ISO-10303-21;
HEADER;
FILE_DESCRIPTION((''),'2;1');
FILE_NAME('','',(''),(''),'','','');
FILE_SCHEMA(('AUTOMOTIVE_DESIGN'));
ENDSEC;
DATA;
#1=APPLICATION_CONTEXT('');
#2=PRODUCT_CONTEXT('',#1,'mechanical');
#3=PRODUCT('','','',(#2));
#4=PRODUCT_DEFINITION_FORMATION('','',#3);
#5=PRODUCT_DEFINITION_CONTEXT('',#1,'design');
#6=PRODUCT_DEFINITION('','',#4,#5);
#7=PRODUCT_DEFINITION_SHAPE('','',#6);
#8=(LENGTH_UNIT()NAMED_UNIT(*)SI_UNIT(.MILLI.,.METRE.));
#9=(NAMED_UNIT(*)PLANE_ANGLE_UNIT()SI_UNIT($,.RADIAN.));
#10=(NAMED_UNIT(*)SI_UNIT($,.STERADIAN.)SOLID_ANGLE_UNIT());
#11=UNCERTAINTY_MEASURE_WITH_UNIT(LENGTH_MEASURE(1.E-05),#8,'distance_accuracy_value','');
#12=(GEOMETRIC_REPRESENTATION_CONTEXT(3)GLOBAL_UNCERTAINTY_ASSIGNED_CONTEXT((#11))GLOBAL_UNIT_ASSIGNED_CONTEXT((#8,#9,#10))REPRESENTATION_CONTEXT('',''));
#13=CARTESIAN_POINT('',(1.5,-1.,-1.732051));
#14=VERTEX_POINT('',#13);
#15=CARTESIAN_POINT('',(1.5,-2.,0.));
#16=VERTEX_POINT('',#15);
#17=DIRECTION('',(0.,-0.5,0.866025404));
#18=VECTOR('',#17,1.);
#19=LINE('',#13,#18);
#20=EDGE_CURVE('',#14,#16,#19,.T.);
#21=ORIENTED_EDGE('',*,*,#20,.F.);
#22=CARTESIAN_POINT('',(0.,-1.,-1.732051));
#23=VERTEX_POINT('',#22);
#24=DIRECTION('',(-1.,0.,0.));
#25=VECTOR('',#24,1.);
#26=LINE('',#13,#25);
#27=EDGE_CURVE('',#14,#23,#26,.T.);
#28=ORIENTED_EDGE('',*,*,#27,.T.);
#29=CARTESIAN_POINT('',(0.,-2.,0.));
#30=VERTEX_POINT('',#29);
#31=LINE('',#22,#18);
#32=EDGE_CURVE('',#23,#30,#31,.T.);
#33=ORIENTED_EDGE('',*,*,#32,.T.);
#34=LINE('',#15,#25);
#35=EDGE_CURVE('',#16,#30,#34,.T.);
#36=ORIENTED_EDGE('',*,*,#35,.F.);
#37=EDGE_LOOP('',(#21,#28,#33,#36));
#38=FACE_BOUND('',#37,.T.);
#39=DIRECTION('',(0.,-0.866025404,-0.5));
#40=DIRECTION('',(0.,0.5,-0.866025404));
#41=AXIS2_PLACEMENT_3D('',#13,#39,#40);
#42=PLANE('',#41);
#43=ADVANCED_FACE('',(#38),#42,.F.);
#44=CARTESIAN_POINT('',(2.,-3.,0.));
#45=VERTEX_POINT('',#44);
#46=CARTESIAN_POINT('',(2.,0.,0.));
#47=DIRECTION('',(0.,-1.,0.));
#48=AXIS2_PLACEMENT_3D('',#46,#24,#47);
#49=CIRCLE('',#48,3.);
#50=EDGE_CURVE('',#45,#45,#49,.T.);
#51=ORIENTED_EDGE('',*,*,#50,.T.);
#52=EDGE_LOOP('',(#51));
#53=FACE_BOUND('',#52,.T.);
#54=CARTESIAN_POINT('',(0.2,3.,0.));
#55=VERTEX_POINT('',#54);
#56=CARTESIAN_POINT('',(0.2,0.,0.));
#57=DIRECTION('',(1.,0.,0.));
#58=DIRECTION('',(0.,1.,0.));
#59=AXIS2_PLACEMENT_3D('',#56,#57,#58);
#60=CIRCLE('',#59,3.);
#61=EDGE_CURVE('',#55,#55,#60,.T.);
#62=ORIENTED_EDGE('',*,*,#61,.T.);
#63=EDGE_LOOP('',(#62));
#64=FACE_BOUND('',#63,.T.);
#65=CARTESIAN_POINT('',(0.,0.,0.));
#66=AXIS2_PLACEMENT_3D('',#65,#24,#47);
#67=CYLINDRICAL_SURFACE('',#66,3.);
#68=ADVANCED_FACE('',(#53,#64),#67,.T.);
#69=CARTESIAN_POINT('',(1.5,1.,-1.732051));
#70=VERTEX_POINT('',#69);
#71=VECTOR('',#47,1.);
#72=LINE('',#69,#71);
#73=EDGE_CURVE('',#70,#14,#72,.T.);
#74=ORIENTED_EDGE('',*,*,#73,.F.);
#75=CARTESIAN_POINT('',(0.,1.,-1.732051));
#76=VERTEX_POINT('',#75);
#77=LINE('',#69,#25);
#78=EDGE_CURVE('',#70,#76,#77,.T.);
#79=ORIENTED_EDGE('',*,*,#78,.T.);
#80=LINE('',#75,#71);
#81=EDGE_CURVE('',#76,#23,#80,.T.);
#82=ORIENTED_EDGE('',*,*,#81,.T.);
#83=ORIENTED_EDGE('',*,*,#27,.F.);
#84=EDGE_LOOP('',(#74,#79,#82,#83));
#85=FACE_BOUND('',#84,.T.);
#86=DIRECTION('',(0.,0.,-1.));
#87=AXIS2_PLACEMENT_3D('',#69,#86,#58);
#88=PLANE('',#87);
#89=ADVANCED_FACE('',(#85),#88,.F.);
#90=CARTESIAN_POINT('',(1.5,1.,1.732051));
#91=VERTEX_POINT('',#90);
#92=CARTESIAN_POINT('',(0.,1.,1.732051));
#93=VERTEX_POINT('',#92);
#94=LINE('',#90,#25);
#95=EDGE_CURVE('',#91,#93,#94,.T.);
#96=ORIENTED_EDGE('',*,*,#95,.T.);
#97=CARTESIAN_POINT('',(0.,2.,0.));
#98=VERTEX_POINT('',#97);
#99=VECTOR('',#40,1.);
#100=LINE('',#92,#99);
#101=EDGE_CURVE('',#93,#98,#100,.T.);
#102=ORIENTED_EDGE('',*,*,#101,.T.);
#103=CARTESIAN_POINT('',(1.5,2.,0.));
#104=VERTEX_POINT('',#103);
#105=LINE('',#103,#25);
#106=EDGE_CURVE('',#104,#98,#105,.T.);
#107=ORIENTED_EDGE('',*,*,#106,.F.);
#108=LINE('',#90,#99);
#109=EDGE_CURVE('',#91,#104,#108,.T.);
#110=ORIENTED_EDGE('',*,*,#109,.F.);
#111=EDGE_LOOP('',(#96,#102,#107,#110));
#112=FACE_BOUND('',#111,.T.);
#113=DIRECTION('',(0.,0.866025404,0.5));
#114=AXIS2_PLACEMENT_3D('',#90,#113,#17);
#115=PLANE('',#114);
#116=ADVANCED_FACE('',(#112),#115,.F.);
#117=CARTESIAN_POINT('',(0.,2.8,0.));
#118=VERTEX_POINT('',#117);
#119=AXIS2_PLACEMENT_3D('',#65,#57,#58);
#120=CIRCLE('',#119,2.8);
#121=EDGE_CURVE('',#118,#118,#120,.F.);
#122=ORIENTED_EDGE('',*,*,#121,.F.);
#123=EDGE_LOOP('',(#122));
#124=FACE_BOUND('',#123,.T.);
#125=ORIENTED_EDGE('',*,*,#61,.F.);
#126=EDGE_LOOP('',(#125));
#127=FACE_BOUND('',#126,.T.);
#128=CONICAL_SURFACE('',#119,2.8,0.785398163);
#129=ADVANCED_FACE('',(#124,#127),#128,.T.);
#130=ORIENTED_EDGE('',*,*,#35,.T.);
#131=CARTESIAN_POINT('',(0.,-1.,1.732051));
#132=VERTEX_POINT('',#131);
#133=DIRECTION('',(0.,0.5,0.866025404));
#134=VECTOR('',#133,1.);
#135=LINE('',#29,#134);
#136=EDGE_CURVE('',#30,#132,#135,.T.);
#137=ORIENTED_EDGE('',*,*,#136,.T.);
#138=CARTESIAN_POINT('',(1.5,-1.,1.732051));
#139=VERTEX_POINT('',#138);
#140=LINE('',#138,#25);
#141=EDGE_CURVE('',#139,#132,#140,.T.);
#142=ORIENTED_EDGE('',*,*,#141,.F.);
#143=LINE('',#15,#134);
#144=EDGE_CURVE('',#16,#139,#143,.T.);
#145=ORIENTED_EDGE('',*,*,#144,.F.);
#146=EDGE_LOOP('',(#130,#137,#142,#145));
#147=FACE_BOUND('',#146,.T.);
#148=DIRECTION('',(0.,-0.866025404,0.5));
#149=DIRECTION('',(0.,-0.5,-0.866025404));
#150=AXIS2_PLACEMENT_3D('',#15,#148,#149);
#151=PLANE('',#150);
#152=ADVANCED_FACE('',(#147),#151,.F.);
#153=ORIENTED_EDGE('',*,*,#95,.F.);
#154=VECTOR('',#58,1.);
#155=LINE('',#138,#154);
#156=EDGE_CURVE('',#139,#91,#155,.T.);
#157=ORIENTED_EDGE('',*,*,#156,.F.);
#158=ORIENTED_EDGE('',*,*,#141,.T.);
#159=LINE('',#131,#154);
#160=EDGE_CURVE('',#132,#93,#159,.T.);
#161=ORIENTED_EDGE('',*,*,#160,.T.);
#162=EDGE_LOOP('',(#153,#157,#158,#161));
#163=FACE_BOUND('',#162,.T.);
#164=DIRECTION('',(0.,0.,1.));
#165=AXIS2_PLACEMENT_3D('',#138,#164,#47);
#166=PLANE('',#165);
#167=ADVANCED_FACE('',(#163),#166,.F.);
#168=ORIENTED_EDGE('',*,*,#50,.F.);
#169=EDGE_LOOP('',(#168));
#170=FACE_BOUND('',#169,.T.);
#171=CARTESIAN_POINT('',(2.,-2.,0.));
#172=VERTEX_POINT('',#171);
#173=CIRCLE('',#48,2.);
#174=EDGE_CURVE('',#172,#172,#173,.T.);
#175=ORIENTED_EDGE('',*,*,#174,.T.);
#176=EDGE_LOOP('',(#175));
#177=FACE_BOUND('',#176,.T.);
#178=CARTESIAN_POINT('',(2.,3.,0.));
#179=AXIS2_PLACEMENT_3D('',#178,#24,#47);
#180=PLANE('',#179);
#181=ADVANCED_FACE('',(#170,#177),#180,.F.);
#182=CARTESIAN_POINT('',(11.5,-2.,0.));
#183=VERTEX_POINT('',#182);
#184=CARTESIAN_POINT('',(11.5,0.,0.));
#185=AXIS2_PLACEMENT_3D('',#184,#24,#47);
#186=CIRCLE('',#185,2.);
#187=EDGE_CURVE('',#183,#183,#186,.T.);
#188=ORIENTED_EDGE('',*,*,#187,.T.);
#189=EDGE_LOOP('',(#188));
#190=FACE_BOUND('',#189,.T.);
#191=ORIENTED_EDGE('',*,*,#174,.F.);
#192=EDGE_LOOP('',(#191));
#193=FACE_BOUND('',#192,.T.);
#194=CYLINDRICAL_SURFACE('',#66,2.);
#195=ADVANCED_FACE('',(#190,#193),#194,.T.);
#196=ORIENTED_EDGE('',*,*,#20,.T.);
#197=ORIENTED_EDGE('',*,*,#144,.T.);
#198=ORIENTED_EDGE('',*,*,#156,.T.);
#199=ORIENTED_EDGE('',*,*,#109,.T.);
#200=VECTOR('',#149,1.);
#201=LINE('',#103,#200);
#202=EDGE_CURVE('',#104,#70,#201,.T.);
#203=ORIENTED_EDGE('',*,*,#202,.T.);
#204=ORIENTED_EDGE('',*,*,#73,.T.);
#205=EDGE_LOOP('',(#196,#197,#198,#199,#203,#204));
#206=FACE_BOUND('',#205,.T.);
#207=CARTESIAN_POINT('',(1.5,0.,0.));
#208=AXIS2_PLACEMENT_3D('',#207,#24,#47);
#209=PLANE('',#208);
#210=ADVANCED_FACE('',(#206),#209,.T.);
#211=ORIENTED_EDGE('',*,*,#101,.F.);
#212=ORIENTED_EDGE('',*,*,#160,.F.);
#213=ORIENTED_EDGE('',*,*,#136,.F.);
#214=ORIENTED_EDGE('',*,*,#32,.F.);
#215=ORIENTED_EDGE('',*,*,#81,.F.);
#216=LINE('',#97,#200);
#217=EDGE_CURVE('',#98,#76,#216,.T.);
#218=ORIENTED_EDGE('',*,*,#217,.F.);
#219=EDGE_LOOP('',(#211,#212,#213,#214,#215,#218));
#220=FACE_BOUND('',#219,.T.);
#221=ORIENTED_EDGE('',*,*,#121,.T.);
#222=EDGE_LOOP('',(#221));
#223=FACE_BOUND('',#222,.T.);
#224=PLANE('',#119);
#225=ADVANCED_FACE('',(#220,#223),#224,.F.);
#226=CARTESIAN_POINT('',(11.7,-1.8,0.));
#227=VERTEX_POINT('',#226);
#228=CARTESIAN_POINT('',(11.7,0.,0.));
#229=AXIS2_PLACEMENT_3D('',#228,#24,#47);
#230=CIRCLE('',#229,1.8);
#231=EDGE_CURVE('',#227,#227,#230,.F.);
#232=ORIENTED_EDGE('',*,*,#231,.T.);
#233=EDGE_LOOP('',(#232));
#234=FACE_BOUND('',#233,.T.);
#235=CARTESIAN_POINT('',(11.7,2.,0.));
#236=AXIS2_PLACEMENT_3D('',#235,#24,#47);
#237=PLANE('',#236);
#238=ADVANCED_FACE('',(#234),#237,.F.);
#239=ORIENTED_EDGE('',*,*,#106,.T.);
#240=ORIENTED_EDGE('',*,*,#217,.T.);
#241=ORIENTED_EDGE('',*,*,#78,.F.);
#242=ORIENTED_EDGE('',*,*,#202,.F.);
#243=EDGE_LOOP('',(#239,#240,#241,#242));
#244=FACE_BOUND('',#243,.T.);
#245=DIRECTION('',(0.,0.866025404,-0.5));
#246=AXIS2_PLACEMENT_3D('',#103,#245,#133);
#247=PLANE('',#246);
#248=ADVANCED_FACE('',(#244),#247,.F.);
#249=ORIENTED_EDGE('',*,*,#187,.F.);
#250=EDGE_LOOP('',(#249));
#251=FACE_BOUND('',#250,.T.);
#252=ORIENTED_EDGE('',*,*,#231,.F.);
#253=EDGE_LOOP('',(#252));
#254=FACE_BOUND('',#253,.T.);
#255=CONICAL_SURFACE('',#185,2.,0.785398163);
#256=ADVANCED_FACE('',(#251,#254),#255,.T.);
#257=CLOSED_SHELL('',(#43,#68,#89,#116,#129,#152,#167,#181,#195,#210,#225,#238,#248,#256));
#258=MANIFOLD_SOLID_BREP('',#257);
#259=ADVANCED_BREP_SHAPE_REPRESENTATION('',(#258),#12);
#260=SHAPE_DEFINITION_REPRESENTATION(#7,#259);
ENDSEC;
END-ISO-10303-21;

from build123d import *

# Parameters (mm, degrees)
CUT_EXTRUDE1_DEPTH = 1.5
CHAMFER1_SIZE      = 0.2


with BuildPart() as part:
    # Sketch1 → Revolve1 (revolve)
    with BuildSketch(Plane.XY, mode=Mode.PRIVATE) as revolve1_sk:
        Polygon((0, 0), (0, 3), (2, 3), (2, 2), (11.7, 2), (11.7, 0), align=None)
    revolve(revolve1_sk.sketch.rotate(Axis((0, 0, 0), (1, 0, 0)), 180), axis=Axis((0, 0, 0), (1, 0, 0)))

    # Sketch2 → Cut-Extrude1 (cut)
    with BuildSketch(Plane.ZY):
        Polygon((0, 2), (-1.732050808, 1), (-1.732050808, -1), (0, -2), (1.732050808, -1), (1.732050808, 1), align=None)
    extrude(amount=-CUT_EXTRUDE1_DEPTH, mode=Mode.SUBTRACT)

    # Chamfer1
    chamfer1_edges = [part.edges().sort_by_distance(p)[0] for p in [
        (11.7, 2, 0),
        (0, 3, 0),
    ]]
    chamfer(chamfer1_edges, length=CHAMFER1_SIZE)


solid = part.part
